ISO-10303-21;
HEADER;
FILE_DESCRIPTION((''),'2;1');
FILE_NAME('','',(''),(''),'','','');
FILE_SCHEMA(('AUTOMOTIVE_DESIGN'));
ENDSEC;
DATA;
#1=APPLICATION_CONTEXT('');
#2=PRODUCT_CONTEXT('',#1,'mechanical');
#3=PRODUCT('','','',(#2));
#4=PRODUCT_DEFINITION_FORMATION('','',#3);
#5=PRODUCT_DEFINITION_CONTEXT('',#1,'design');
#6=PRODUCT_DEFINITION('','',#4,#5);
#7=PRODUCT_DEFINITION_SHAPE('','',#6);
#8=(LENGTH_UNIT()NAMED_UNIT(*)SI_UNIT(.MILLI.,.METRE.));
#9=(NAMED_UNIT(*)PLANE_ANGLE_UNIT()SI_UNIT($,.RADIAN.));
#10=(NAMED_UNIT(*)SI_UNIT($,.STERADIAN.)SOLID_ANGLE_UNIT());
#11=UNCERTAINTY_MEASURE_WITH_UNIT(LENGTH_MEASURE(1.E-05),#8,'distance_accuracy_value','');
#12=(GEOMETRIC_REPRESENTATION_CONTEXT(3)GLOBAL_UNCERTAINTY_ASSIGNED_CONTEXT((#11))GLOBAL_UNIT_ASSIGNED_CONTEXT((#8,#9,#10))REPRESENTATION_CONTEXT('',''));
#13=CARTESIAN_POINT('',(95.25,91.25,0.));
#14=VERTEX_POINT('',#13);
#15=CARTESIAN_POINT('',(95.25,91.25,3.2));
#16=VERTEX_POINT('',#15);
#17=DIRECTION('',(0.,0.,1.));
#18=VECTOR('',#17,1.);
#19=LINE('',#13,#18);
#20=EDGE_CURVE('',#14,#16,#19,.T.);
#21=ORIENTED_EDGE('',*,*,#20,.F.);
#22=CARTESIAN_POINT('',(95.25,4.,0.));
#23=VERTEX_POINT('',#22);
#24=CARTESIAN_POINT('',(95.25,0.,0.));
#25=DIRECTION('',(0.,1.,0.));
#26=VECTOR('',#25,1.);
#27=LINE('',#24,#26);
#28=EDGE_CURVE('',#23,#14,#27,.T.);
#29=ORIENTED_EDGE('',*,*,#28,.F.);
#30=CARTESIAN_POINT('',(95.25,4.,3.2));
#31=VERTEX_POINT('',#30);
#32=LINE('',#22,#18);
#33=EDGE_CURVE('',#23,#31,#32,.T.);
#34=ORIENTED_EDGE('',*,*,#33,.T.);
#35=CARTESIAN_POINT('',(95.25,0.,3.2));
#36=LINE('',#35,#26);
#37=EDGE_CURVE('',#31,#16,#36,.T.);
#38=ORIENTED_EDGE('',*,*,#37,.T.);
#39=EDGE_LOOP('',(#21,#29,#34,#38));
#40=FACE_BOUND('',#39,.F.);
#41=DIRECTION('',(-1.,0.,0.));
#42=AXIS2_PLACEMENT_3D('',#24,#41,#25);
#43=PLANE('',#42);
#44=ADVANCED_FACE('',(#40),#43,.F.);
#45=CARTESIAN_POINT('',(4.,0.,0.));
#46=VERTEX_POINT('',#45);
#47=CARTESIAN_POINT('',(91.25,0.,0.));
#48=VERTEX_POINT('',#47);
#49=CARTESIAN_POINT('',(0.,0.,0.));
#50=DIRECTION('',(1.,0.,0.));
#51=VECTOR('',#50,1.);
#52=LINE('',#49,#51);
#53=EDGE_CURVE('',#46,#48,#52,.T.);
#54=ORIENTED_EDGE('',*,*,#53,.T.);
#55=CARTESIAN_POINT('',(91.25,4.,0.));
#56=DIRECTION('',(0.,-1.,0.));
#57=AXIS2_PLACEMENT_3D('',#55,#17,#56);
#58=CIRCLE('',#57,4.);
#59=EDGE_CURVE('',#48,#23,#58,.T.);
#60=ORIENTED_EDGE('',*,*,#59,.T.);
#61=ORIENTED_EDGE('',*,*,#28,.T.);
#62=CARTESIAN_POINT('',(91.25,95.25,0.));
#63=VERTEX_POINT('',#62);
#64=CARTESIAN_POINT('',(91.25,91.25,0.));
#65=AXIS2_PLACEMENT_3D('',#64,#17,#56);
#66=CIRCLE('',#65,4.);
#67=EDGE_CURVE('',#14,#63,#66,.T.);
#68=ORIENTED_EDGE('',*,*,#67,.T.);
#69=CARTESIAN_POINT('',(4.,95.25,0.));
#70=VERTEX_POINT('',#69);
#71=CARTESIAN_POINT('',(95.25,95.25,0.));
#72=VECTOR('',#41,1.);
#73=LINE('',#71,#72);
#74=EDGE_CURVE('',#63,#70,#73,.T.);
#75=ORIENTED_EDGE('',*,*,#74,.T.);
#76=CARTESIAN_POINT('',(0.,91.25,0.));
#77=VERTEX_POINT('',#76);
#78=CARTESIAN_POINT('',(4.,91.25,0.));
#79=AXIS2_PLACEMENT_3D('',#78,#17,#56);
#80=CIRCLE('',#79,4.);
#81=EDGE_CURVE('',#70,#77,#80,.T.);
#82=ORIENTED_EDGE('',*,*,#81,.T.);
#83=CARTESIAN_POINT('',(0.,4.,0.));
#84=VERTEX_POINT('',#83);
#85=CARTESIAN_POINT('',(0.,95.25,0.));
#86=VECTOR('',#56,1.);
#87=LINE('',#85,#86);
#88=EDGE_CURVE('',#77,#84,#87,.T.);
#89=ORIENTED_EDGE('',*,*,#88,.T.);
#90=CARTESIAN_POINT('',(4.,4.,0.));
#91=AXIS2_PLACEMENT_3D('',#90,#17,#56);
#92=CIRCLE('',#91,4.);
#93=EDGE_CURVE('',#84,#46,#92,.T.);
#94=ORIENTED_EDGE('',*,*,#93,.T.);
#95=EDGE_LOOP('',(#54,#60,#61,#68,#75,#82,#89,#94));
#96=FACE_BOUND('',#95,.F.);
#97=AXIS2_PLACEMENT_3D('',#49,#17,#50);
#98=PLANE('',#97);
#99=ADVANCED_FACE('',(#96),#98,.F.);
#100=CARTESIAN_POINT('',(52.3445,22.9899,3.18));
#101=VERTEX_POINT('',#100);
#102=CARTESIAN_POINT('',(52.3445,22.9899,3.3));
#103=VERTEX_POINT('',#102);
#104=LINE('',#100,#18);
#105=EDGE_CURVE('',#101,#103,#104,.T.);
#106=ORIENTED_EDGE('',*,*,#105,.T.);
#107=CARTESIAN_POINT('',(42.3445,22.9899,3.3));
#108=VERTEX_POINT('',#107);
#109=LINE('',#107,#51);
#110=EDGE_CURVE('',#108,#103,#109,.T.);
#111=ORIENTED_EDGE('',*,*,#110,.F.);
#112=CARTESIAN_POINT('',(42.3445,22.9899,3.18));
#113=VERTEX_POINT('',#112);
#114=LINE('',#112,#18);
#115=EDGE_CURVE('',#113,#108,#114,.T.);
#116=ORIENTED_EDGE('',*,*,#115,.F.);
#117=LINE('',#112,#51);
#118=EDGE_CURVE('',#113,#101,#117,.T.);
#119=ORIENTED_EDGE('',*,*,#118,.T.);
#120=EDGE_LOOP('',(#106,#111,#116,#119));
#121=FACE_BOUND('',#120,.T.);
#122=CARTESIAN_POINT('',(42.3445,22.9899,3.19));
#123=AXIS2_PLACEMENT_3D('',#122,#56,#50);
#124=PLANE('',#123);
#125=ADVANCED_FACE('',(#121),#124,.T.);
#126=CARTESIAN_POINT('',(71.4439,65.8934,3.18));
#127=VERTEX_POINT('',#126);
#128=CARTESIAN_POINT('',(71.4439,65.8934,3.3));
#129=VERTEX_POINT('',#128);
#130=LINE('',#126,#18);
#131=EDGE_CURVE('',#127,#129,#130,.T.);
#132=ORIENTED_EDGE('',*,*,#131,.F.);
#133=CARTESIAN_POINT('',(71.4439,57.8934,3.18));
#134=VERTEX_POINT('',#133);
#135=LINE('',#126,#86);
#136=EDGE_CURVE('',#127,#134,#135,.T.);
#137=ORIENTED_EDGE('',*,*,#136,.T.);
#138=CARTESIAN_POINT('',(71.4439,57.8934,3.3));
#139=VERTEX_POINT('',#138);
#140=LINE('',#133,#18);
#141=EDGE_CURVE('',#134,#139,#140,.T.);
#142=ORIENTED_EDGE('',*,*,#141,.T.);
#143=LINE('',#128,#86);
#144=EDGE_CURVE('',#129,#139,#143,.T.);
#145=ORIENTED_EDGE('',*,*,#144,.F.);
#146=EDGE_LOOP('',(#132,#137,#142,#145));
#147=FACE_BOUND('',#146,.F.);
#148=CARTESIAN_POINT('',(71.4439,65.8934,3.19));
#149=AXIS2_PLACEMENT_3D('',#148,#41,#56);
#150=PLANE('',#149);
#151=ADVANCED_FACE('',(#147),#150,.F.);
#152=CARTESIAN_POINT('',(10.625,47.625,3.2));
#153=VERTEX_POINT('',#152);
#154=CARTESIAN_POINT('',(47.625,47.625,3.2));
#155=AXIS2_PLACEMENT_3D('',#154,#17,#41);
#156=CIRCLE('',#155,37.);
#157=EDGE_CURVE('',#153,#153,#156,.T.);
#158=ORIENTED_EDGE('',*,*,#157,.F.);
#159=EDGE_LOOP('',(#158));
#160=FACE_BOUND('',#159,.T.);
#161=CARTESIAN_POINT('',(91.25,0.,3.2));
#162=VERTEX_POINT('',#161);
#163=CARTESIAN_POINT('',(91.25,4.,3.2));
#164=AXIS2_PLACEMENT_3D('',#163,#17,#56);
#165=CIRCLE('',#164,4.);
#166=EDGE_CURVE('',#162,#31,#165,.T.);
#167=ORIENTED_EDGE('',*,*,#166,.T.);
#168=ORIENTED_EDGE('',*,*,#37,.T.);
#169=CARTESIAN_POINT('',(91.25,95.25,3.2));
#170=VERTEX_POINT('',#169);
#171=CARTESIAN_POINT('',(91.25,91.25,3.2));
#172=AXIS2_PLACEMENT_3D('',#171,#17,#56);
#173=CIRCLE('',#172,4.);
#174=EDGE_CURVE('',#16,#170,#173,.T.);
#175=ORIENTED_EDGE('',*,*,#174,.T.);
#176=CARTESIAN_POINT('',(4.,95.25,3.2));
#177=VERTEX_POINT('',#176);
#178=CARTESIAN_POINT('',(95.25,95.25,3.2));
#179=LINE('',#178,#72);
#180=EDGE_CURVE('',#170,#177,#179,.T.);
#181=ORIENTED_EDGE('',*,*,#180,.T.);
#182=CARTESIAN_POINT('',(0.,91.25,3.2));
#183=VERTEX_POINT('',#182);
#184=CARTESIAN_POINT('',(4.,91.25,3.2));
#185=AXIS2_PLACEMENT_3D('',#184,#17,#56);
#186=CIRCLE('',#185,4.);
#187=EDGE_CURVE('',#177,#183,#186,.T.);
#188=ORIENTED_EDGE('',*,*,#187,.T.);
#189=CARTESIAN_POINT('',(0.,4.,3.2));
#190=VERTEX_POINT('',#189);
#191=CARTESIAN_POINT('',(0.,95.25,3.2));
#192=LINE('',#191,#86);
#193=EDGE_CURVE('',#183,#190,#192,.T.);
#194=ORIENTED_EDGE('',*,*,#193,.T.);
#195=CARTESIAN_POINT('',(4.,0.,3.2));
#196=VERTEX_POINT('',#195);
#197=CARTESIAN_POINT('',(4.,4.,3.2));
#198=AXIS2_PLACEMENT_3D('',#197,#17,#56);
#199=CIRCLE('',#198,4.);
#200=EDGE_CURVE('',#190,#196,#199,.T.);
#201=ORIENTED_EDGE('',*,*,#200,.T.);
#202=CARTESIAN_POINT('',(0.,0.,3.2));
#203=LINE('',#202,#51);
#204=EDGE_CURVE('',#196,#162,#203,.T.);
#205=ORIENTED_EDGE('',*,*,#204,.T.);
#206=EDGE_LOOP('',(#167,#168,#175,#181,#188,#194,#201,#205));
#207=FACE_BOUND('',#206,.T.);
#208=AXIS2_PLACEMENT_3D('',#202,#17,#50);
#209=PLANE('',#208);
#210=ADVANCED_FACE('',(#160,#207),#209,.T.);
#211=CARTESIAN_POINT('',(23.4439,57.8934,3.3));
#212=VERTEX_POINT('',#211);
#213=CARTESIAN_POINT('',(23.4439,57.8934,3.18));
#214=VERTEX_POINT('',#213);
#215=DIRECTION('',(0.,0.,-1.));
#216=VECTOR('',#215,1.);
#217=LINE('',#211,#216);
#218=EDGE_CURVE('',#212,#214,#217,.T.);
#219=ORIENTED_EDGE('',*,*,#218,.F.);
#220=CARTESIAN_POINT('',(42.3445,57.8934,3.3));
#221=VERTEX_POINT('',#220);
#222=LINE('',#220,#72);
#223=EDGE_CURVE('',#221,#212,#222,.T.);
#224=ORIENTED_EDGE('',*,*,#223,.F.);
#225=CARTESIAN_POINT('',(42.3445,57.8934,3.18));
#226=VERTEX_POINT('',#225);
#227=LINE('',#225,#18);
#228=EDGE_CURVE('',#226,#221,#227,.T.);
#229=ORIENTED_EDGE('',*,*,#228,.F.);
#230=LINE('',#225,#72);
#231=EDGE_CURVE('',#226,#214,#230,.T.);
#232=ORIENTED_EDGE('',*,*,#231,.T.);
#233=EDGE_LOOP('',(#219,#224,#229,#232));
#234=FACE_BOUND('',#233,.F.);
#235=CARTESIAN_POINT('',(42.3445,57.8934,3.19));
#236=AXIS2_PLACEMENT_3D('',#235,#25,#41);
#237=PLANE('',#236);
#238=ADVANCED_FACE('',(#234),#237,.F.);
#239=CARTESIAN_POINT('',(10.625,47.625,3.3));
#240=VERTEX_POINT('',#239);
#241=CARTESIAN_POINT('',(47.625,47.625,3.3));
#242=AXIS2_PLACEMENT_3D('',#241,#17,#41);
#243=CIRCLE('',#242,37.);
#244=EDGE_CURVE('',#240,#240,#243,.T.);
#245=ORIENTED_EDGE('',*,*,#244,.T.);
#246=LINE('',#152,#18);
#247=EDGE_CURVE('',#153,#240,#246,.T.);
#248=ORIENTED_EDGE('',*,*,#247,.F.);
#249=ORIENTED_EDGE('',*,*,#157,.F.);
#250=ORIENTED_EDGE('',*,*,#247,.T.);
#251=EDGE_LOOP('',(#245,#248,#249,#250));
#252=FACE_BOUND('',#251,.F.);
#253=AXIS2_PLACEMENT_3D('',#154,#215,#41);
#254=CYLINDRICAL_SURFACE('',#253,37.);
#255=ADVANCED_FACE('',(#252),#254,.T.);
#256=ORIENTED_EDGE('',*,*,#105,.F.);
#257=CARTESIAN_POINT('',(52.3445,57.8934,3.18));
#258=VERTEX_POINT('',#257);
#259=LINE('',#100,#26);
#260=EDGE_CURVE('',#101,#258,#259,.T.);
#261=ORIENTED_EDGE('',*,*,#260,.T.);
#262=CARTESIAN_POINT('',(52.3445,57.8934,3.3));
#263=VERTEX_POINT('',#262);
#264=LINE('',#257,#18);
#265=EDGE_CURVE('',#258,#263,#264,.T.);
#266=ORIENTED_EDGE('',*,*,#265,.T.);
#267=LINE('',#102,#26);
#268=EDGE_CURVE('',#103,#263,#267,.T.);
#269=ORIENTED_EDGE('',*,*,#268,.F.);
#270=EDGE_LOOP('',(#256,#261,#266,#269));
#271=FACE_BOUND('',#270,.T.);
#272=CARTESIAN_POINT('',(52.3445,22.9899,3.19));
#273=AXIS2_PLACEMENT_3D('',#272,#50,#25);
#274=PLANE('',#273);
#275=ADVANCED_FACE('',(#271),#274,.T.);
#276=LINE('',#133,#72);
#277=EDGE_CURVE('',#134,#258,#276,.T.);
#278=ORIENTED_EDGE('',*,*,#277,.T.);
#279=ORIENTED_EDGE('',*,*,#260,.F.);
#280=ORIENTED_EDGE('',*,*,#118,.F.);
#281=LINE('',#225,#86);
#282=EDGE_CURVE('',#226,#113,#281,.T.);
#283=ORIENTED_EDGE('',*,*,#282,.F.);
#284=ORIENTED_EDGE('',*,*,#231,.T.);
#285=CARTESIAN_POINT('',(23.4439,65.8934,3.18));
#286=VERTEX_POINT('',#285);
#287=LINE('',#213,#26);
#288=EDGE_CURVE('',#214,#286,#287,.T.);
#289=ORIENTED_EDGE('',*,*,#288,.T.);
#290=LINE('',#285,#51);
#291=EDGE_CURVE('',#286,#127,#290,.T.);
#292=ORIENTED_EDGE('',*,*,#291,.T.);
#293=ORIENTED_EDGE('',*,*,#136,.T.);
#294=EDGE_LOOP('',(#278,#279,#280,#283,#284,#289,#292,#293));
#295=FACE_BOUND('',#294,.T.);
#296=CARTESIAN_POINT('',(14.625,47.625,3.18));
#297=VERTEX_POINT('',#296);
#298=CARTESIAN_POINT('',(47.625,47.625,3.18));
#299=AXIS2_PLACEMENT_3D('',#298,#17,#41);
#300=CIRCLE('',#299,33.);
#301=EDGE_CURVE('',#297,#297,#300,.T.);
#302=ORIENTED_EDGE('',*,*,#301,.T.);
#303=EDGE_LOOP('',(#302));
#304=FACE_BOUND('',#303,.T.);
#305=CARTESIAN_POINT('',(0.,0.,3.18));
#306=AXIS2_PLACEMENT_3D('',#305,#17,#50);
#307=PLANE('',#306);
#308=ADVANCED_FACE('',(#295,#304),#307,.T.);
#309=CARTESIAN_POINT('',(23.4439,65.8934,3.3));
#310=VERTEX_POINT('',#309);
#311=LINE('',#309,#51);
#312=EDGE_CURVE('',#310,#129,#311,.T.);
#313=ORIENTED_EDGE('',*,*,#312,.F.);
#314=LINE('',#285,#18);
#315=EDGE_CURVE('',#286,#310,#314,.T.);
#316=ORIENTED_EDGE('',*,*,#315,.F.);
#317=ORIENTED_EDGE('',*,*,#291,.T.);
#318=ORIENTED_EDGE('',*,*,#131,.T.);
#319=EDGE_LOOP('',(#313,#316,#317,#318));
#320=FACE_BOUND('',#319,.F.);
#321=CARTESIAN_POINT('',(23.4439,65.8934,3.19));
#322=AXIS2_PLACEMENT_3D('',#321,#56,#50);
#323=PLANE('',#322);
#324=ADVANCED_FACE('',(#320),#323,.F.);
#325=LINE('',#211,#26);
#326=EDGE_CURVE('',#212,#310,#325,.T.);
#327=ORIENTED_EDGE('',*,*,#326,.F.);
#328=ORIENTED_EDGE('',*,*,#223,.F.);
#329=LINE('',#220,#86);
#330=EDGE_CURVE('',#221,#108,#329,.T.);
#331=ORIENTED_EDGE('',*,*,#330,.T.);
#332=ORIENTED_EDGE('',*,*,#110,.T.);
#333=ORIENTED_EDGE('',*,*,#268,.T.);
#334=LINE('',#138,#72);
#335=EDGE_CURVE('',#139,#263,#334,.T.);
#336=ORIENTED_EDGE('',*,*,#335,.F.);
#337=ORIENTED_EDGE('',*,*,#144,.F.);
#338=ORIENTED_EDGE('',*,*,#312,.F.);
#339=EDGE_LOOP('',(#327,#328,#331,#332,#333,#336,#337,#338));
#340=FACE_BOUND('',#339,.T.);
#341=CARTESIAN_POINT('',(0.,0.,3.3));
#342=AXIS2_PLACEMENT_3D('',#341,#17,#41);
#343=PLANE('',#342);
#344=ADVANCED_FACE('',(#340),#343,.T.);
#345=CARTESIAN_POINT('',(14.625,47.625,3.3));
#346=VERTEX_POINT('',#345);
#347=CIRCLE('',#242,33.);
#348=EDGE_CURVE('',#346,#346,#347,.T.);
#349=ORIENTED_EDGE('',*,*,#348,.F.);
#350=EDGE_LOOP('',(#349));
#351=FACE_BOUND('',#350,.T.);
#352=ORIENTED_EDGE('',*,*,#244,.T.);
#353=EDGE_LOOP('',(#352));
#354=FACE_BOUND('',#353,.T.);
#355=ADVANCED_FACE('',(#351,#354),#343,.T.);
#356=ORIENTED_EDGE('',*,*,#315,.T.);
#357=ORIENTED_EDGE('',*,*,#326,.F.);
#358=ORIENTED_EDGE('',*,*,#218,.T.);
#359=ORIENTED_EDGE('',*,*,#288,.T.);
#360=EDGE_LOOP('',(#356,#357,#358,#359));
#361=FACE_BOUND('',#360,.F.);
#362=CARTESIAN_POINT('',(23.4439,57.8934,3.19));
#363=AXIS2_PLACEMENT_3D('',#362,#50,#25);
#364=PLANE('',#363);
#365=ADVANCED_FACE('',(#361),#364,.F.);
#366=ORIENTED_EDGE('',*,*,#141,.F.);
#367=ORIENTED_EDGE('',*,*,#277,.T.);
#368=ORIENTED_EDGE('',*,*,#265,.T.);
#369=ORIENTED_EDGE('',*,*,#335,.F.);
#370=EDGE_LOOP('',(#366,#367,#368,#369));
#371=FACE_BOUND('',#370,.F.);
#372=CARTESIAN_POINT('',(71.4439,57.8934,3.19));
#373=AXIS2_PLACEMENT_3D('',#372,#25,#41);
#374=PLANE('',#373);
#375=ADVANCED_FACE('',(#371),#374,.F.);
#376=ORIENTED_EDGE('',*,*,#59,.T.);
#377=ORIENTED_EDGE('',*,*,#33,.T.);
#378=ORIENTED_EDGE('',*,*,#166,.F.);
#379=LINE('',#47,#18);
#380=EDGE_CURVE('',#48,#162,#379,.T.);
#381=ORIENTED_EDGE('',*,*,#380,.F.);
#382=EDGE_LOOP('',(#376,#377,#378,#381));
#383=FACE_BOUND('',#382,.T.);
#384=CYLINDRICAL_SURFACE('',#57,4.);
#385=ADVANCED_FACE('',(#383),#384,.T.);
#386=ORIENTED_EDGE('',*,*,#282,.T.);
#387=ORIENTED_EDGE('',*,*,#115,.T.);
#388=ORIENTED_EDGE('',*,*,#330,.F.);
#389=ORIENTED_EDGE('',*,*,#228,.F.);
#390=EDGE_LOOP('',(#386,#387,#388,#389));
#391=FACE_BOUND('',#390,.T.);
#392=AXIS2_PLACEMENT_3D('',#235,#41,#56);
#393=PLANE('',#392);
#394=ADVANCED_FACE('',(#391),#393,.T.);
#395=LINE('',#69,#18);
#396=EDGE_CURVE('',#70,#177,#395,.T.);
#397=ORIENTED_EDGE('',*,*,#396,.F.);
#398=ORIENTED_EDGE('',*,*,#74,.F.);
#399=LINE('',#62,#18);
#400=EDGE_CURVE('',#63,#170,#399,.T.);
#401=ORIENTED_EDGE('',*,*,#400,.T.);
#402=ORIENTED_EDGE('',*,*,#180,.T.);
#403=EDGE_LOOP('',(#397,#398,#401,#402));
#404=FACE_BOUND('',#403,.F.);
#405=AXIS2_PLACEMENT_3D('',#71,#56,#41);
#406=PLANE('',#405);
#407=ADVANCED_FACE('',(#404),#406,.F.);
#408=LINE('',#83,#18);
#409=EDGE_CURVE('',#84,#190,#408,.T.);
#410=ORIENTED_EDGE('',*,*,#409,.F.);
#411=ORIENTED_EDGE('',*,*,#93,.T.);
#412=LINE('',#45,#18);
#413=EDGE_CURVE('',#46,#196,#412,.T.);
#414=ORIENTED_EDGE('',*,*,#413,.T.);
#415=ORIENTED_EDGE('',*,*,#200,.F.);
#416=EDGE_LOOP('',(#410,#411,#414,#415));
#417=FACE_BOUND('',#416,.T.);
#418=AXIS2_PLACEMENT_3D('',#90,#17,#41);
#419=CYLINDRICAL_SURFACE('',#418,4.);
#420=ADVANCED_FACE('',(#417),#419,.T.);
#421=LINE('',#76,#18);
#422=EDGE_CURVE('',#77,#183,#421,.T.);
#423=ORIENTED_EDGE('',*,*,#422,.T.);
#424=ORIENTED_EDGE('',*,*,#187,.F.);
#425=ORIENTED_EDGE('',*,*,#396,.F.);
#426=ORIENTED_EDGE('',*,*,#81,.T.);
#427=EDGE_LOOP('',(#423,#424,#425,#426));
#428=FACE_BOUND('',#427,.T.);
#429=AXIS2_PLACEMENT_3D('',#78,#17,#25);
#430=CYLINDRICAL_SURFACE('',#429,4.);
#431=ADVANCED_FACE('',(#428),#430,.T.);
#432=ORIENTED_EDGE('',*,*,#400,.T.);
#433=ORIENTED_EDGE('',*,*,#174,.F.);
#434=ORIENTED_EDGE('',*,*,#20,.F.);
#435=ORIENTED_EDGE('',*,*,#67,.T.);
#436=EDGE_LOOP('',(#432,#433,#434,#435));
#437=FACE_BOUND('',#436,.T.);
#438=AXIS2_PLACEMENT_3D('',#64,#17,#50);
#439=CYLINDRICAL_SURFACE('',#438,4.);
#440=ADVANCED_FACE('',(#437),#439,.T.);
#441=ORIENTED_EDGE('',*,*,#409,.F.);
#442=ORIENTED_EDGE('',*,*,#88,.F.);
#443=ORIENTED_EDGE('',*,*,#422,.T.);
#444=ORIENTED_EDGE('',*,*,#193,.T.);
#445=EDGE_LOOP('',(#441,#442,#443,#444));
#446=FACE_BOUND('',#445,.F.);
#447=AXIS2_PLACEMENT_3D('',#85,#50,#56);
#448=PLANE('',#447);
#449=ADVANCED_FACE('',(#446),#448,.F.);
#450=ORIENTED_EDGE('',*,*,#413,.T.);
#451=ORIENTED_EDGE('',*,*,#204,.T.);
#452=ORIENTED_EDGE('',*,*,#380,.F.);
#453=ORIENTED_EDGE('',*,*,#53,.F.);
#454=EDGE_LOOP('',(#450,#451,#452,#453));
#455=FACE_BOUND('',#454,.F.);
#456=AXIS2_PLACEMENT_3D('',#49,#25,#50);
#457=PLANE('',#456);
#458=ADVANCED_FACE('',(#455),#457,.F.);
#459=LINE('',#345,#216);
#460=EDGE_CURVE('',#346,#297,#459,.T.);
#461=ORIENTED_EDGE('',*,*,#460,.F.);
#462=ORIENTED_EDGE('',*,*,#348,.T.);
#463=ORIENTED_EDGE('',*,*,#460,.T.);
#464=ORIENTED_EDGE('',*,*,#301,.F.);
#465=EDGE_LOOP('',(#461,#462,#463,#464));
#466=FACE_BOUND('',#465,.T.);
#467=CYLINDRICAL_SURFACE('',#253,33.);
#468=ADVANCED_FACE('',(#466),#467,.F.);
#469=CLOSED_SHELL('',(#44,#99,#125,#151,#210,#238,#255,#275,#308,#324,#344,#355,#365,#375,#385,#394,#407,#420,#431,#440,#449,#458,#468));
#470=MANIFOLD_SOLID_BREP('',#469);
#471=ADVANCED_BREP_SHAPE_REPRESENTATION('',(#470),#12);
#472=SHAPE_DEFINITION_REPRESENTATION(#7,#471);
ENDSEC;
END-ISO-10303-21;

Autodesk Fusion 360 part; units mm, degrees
sketch "Sketch1" plane through (0, 0, 0) normal (0, 0, 1) x (1, 0, 0)
  line L0 (0, 0) -> (95.25, 0)
  line L1 (95.25, 0) -> (95.25, 95.25)
  line L2 (95.25, 95.25) -> (0, 95.25)
  line L3 (0, 95.25) -> (0, 0)
  dimension "d1" = 95.25
  dimension "d2" = 95.25
extrude "Extrude1" add sketch "Sketch1" along normal blind 3.2
sketch "Sketch2" plane through (0, 0, 3.2) normal (0, 0, 1) x (-1, 0, 0)
  line L0 (0, -95.25) -> (0, 0)
  line L1 (0, 0) -> (-95.25, 0)
  line L2 (-95.25, 0) -> (-95.25, -95.25)
  line L3 (-95.25, -95.25) -> (0, -95.25)
  circle A0 centre (-47.625, -47.625) radius 33
  circle A1 centre (-47.625, -47.625) radius 37
  line L4 (-23.4439, -57.8934) -> (-23.4439, -65.8934)
  line L5 (-23.4439, -65.8934) -> (-71.4439, -65.8934)
  line L6 (-71.4439, -65.8934) -> (-71.4439, -57.8934)
  line L7 (-42.3445, -22.9899) -> (-52.3445, -22.9899)
  line L8 (-52.3445, -22.9899) -> (-52.3445, -57.8934)
  line L9 (-42.3445, -57.8934) -> (-42.3445, -22.9899)
  line L10 (-71.4439, -57.8934) -> (-52.3445, -57.8934)
  line L11 (-42.3445, -57.8934) -> (-23.4439, -57.8934)
  point P0 (-47.625, -68.4053)
  point P1 (-47.625, -47.625)
  dimension "d5" = 66
  dimension "d6" = 4
  dimension "d9" = 48
  dimension "d10" = 8
fillet "Fillet1" radius 4 1 edges at (0, 0, 1.6)
fillet "Fillet2" radius 4 1 edges at (95.25, 0, 1.6)
fillet "Fillet3" radius 4 1 edges at (95.25, 95.25, 1.6)
fillet "Fillet4" radius 4 1 edges at (0, 95.25, 1.6)
extrude "Extrude2" add sketch "Sketch2" along normal blind 0.1 contours A1 | L4 L5 L6 L7 L8 L9 L10 L11
extrude "Extrude3" cut 1 faces at (59.86, 36.6396, 3.2) along direction (0, 0, -1) blind 0.01
extrude "Extrude4" cut 1 faces at (59.86, 36.6396, 3.19) along direction (0, 0, -1) blind 0.01
